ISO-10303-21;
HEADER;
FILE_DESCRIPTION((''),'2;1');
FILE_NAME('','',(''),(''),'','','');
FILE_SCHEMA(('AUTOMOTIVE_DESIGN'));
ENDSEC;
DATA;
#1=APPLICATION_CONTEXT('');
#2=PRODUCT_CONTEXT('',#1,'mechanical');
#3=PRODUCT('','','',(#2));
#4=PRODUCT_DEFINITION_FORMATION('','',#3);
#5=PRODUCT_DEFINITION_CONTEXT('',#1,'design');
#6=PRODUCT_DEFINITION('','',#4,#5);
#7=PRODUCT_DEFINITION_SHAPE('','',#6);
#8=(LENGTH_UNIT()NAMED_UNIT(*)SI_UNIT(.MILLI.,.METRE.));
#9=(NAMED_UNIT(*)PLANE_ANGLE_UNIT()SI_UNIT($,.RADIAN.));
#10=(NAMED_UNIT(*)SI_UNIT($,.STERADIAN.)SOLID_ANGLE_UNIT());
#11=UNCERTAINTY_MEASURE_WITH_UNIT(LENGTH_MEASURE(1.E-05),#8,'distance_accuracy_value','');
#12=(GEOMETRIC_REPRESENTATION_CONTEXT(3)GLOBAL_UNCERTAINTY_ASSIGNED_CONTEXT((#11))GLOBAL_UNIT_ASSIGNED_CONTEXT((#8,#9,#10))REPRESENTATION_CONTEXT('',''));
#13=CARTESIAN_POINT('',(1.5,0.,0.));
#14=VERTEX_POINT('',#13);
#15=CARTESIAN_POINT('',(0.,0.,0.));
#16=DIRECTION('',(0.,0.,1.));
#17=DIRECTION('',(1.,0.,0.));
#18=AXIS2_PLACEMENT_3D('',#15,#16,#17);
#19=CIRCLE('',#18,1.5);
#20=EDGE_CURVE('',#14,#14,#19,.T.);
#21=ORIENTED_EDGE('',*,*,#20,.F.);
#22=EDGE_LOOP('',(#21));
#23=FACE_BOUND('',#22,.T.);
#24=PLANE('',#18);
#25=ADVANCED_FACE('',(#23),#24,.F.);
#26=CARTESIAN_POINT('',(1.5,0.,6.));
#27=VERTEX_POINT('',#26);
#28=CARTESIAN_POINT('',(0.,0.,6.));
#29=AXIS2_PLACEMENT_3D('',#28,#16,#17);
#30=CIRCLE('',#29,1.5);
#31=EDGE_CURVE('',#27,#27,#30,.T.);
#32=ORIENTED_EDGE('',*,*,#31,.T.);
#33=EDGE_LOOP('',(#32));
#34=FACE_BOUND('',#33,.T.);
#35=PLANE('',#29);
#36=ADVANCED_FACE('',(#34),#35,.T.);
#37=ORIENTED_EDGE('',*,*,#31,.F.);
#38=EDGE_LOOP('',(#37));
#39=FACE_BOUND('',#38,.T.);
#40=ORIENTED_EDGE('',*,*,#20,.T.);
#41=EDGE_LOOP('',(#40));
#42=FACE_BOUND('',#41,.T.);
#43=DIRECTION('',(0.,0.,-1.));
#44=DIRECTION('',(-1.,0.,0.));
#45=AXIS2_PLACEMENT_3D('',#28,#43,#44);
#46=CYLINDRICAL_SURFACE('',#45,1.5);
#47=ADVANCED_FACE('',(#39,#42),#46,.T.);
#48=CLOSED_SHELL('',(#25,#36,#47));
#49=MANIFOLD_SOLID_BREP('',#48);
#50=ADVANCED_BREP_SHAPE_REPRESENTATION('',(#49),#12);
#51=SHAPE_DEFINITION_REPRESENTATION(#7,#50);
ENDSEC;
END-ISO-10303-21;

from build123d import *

# Parameters (mm, degrees)
SKETCH1_R           = 1.5
BOSS_EXTRUDE1_DEPTH = 6


with BuildPart() as part:
    # Sketch1 → Boss-Extrude1 (new body)
    with BuildSketch(Plane.XY):
        Circle(SKETCH1_R)
    extrude(amount=BOSS_EXTRUDE1_DEPTH)


solid = part.part
